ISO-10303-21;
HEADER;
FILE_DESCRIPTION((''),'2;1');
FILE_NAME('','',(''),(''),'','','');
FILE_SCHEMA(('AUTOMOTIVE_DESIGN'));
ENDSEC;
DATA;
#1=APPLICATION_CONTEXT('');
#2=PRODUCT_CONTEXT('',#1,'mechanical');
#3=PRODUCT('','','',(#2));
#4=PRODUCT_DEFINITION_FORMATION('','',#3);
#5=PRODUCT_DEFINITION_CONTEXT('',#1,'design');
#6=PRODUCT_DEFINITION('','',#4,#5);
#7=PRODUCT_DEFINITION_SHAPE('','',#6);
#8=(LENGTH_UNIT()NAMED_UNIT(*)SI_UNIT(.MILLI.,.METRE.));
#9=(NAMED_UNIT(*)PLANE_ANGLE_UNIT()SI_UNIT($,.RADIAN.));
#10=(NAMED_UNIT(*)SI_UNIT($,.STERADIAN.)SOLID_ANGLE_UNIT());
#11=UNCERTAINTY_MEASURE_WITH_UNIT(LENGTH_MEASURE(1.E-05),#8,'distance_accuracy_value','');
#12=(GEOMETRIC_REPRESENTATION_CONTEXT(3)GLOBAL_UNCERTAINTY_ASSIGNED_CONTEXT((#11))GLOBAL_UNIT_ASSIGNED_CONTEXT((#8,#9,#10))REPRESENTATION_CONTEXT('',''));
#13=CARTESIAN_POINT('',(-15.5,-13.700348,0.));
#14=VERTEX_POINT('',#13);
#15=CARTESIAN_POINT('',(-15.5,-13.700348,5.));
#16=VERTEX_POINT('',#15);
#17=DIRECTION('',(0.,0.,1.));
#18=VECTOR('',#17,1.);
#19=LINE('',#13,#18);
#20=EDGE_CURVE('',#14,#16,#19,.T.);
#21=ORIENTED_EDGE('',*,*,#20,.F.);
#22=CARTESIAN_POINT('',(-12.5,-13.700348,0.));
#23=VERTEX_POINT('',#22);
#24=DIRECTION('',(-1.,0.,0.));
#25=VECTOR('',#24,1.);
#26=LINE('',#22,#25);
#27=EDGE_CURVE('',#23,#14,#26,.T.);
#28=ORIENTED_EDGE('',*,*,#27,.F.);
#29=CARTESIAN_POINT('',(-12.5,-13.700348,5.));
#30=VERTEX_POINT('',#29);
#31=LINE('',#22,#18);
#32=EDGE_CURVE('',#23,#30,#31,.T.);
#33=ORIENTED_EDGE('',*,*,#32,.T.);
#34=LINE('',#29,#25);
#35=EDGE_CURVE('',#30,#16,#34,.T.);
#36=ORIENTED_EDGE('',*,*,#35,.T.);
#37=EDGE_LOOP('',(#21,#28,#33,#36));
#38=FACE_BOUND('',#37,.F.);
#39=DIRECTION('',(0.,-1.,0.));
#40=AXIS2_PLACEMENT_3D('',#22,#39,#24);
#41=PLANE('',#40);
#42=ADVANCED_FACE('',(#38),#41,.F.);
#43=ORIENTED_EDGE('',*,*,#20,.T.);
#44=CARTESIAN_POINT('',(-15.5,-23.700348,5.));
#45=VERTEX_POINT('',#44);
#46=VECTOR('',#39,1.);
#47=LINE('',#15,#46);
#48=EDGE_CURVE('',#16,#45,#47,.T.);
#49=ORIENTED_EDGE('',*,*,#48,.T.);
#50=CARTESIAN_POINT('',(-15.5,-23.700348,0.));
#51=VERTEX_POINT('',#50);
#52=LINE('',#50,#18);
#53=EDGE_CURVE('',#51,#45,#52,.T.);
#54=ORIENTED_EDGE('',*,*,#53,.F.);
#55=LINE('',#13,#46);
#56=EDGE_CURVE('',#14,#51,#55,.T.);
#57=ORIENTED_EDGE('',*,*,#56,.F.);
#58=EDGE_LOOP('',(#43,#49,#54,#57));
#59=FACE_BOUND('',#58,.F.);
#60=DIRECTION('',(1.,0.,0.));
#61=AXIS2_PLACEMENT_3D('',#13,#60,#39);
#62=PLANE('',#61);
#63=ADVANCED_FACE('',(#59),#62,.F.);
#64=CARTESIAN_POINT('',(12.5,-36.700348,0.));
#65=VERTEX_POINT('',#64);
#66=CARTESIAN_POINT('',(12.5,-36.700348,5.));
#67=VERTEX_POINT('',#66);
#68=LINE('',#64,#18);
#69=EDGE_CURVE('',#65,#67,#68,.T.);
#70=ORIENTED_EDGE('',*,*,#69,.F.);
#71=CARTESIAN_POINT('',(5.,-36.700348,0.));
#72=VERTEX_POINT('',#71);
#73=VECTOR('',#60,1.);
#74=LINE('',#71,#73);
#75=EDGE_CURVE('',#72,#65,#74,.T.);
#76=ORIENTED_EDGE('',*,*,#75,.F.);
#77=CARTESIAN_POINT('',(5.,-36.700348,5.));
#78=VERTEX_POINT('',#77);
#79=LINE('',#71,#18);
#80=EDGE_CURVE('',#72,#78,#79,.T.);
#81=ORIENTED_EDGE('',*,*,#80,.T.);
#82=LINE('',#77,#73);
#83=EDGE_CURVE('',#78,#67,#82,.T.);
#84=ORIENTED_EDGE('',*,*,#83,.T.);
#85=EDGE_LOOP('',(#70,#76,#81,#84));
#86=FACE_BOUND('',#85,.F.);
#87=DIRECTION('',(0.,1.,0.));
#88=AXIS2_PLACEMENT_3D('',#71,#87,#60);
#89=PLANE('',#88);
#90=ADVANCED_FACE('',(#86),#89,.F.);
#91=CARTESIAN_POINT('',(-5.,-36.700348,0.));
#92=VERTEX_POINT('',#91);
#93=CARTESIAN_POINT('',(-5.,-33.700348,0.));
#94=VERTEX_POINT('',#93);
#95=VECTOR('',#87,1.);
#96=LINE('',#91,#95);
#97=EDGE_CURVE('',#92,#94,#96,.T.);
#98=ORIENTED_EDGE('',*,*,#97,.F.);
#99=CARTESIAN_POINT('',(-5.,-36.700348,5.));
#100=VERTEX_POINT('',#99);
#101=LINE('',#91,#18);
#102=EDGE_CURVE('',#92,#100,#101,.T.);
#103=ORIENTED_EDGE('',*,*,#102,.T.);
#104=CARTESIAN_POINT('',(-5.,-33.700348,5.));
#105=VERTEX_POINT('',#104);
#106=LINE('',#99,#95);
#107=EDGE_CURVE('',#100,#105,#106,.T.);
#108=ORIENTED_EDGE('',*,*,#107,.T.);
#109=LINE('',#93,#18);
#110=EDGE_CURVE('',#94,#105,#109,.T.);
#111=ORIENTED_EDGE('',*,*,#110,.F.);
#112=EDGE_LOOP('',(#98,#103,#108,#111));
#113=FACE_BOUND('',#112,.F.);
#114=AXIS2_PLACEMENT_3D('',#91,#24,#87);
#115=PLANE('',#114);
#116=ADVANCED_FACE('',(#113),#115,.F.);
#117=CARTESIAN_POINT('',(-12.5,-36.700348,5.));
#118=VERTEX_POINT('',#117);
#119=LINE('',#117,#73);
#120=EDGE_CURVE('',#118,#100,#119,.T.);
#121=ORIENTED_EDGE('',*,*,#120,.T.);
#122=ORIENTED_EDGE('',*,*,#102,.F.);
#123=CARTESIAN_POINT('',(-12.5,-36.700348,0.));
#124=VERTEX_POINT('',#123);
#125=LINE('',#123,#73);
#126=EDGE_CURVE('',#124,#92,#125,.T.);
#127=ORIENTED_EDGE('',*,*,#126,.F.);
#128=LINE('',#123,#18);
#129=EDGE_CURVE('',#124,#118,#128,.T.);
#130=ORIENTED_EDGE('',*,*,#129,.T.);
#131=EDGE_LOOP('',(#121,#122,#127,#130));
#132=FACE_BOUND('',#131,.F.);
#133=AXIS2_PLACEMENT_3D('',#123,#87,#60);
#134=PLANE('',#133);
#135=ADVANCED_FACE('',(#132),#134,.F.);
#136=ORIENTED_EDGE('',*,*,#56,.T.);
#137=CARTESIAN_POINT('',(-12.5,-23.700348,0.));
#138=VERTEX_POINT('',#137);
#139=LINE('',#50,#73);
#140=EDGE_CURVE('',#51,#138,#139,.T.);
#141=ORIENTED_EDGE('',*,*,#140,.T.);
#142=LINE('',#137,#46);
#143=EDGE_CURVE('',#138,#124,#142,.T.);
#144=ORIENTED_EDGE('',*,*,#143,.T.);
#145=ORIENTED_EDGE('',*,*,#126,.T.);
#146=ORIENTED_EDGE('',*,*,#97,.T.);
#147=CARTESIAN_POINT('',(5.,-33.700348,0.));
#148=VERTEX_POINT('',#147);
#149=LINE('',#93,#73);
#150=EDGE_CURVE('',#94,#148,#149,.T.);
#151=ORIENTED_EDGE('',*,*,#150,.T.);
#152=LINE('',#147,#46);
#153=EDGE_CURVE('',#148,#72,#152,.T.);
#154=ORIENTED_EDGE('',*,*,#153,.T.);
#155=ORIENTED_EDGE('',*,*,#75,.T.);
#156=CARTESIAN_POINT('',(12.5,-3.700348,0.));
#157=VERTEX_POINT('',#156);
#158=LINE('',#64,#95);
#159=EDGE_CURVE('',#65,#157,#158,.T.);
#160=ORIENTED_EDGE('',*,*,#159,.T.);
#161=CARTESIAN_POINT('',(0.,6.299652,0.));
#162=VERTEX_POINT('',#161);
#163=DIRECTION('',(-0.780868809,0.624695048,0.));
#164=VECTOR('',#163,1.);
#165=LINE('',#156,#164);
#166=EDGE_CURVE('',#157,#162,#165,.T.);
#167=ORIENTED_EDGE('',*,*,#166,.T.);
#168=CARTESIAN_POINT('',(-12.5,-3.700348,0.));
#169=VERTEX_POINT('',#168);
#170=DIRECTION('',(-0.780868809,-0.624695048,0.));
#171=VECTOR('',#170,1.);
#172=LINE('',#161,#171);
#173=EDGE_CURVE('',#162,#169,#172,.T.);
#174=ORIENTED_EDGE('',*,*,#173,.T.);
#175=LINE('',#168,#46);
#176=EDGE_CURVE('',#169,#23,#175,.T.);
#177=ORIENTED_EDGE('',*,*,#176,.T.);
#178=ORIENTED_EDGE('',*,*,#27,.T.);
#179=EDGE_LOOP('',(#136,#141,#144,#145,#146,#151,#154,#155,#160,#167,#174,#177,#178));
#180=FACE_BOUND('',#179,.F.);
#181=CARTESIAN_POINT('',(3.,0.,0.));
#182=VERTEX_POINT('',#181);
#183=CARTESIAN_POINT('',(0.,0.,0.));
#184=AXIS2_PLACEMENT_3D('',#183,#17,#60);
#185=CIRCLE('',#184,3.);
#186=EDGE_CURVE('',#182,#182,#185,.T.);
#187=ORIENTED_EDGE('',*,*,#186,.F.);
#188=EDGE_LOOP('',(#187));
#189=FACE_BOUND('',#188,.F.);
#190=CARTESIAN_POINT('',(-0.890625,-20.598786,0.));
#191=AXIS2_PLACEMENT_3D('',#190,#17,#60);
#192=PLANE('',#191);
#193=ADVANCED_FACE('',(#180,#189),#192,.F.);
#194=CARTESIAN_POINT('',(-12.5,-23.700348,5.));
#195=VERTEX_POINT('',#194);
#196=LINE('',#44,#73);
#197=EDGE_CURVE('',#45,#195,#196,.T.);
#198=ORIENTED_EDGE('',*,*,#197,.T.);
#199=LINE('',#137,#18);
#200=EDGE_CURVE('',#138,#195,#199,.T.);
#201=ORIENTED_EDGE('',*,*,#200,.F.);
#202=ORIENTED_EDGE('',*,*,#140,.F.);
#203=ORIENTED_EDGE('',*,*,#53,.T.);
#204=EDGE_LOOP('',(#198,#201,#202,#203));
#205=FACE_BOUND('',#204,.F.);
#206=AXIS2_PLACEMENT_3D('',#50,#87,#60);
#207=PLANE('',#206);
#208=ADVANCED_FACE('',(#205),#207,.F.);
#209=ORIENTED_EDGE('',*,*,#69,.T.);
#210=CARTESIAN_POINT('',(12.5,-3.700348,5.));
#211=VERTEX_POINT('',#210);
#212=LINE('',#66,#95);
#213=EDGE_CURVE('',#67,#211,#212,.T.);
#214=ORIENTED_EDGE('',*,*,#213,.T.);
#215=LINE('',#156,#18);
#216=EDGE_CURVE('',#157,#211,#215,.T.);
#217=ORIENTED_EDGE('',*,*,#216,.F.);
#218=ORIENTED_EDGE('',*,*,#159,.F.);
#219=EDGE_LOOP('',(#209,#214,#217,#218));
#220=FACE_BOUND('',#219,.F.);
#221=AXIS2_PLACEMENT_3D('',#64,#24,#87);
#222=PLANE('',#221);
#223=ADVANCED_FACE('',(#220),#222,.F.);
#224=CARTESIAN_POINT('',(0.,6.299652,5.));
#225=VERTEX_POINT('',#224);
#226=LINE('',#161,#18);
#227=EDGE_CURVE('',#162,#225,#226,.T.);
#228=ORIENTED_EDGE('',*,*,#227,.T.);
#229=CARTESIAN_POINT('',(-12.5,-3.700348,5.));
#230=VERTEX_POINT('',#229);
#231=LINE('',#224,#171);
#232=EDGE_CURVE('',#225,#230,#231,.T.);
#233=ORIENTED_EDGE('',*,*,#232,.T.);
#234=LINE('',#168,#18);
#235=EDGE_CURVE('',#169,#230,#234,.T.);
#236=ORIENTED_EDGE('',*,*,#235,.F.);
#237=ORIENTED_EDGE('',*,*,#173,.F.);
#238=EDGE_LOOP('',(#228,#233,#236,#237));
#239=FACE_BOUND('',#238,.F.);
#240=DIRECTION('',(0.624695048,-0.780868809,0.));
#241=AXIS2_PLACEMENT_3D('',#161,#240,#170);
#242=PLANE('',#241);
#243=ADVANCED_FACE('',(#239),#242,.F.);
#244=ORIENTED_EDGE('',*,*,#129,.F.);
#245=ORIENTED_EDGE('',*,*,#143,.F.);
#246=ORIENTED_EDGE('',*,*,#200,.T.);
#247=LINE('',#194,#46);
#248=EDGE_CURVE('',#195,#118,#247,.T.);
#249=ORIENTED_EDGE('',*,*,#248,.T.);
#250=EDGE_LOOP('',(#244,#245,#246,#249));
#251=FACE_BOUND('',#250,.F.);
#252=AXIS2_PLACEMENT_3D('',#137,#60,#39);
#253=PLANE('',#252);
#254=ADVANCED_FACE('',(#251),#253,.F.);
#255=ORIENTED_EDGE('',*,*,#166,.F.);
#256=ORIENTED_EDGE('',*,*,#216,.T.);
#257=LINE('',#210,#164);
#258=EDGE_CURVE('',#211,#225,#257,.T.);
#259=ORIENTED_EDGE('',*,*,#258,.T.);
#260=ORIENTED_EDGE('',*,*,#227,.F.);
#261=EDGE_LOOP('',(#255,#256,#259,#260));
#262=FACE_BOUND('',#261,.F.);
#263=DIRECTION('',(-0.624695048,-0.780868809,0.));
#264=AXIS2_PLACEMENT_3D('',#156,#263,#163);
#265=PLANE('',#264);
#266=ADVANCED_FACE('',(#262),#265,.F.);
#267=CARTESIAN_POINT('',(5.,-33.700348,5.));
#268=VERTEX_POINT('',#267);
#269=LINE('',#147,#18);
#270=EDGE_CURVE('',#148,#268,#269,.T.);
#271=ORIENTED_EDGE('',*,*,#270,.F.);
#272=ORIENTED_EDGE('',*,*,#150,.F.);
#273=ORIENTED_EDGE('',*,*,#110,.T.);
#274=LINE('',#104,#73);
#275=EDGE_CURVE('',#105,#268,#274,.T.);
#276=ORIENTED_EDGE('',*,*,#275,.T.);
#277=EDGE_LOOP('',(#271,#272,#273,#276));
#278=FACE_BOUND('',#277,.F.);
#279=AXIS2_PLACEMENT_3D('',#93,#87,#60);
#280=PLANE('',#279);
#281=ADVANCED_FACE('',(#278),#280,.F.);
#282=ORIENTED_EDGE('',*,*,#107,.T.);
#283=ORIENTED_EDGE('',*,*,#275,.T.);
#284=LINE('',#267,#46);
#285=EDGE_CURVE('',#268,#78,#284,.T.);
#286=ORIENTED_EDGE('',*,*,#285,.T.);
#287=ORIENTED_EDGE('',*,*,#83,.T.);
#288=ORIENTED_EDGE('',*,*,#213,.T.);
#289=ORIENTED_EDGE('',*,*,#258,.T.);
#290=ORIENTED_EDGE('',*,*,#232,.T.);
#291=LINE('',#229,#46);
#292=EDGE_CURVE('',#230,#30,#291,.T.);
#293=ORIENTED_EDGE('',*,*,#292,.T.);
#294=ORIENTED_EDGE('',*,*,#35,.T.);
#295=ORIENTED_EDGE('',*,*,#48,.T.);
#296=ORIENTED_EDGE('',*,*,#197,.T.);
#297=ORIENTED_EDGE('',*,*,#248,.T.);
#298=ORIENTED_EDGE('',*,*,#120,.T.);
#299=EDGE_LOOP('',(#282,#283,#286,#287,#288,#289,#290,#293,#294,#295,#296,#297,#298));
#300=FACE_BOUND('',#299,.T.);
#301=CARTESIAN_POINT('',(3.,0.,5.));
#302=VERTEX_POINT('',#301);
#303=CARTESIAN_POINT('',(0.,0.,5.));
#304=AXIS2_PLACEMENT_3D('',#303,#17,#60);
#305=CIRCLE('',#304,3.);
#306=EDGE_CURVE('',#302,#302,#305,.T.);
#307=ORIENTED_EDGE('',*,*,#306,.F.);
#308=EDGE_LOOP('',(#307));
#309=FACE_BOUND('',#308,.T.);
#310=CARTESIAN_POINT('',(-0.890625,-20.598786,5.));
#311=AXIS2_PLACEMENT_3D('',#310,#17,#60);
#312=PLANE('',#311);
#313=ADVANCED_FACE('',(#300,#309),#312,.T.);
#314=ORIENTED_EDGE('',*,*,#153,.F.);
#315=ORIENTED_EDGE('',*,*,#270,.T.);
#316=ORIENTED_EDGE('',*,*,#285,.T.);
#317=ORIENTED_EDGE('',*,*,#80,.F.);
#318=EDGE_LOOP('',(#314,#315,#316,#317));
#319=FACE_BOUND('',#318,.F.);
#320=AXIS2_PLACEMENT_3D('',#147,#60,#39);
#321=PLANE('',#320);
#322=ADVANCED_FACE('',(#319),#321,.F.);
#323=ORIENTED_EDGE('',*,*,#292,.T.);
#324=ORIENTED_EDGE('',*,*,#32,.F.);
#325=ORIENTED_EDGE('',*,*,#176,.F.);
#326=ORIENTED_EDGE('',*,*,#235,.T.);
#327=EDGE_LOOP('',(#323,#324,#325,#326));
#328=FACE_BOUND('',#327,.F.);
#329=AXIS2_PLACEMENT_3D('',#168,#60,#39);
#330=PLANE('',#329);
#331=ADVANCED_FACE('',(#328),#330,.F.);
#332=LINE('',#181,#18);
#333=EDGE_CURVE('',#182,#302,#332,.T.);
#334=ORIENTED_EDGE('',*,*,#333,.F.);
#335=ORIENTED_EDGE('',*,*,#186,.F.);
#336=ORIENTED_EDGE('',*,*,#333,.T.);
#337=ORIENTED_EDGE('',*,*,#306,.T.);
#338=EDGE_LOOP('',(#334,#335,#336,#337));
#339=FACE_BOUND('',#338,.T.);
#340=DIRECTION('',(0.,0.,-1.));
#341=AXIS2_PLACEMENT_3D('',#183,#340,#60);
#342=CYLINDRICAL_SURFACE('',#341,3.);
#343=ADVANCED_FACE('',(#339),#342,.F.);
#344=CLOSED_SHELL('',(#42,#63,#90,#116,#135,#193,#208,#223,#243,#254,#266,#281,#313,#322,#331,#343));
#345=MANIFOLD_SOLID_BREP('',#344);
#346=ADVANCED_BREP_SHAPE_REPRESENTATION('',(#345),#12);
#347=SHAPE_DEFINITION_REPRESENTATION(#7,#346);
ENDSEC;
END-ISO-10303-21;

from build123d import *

# Parameters (mm, degrees)
F0_R     = 3
F1_DEPTH = 5


with BuildPart() as f1:
    # F0 (on Top) → F1 (new body)
    with BuildSketch(Plane.XY):
        Polygon((5, -36.700348), (12.5, -36.700348), (12.5, -3.700348), (-12.5, -3.700348), (-12.5, -13.700348), (-15.5, -13.700348), (-15.5, -23.700348), (-12.5, -23.700348), (-12.5, -36.700348), (-5, -36.700348), (-5, -33.700348), (5, -33.700348), align=None)
        Polygon((-12.5, -3.700348), (12.5, -3.700348), (0, 6.299652), align=None)
        Circle(F0_R, mode=Mode.SUBTRACT)
    extrude(amount=F1_DEPTH)


solid = f1.part
